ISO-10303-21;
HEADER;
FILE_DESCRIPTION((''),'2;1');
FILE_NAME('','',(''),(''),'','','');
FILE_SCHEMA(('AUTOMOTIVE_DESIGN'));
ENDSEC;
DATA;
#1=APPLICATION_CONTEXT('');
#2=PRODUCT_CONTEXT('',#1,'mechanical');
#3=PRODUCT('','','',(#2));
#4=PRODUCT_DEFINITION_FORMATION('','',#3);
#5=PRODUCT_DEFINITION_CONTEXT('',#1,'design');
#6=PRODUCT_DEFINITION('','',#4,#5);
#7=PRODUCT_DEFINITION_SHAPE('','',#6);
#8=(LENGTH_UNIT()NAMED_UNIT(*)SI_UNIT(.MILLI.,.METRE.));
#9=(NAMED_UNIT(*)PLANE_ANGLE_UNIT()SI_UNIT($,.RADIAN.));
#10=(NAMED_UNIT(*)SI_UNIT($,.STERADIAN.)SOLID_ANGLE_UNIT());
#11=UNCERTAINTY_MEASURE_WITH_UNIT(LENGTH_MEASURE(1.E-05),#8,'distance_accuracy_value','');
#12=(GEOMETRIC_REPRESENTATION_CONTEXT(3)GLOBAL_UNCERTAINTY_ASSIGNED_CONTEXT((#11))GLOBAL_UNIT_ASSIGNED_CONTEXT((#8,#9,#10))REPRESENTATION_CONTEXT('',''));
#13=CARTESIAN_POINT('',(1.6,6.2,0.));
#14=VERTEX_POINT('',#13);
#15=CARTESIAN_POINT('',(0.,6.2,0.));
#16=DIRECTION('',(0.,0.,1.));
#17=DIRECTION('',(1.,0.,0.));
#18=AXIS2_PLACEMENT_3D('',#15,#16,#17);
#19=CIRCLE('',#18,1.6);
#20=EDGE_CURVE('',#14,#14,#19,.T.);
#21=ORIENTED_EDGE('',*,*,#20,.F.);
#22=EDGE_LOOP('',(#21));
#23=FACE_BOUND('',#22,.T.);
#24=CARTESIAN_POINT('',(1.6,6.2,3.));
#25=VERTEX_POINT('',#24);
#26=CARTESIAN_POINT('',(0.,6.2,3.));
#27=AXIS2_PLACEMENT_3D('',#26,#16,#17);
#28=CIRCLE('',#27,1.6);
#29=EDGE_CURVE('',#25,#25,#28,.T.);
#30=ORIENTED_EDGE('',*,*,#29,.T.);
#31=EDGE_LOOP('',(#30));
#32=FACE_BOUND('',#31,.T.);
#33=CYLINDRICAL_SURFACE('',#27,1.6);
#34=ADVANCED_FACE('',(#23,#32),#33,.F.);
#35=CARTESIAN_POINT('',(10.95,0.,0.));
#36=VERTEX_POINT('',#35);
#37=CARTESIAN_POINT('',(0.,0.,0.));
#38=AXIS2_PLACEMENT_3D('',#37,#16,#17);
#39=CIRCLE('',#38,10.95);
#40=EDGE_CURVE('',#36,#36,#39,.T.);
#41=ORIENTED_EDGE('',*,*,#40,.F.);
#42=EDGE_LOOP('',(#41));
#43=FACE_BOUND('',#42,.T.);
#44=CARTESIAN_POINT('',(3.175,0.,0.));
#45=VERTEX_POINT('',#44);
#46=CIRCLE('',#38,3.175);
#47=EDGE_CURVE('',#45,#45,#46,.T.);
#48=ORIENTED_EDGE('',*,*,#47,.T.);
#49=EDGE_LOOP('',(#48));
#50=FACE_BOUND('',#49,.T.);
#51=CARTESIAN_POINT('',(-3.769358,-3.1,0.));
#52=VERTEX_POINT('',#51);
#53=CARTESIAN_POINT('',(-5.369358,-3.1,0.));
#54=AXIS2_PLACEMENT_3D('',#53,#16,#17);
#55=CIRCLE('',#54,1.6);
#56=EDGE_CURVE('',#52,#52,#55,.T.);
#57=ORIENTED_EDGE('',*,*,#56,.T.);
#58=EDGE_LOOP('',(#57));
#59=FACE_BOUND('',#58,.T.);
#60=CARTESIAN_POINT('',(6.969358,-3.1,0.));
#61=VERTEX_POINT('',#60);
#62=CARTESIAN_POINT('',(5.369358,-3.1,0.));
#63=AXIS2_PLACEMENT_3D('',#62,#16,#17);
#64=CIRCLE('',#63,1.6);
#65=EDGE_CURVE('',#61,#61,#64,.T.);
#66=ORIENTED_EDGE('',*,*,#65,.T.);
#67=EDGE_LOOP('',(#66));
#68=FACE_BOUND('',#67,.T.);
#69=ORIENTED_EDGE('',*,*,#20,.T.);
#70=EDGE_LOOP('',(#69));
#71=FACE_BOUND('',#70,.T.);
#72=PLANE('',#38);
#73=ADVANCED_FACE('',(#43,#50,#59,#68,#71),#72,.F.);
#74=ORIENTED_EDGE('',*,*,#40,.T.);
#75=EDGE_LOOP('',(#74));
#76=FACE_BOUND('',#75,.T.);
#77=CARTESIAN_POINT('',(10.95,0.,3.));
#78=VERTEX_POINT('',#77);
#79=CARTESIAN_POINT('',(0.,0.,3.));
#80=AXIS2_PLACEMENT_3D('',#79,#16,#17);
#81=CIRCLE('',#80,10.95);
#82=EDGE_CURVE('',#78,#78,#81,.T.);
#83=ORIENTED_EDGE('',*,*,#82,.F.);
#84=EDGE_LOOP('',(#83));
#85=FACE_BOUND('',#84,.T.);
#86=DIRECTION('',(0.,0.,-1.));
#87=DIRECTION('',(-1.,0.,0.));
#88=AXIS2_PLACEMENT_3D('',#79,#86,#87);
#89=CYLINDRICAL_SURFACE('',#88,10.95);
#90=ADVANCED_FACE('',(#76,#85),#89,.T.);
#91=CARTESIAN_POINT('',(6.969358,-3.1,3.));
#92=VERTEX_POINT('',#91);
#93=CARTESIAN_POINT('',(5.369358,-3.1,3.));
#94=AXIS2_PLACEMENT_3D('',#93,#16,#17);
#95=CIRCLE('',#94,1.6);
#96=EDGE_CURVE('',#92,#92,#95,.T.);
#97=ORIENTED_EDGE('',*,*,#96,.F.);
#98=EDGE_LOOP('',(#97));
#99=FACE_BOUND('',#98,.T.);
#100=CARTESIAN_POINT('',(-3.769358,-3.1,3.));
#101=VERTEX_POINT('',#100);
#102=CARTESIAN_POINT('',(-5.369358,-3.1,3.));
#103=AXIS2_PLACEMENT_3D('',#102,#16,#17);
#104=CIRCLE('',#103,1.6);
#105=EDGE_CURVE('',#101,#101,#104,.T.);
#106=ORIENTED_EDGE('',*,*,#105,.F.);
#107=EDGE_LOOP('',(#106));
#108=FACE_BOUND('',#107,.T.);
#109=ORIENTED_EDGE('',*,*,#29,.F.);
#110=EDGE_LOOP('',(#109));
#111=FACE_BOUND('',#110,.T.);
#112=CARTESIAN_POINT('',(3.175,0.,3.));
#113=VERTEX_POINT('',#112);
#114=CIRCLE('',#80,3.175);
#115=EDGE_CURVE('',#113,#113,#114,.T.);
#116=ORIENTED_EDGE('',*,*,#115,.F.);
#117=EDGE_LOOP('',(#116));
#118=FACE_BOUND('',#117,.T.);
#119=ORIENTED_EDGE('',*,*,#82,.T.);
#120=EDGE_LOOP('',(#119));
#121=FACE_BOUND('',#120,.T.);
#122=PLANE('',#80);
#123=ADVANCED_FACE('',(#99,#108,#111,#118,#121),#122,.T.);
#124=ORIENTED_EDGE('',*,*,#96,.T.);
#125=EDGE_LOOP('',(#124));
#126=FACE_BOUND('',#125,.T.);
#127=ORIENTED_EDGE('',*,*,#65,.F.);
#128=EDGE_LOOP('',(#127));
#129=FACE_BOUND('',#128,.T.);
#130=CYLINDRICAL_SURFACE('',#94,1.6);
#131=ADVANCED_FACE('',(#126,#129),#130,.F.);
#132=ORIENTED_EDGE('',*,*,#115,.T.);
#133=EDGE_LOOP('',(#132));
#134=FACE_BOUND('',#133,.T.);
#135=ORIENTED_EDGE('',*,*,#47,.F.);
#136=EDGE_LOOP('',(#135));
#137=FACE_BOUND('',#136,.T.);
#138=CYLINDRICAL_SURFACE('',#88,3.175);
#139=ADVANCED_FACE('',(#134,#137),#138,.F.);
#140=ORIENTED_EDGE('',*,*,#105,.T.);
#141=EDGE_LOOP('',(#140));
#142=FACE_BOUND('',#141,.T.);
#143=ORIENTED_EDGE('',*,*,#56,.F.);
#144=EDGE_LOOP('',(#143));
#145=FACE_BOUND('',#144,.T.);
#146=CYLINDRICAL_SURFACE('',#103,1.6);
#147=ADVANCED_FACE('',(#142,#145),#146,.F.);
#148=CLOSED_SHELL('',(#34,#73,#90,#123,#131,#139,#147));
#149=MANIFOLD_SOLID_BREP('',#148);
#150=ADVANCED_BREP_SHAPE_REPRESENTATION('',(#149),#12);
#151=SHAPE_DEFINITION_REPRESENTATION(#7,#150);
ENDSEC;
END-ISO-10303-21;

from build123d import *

# Parameters (mm, degrees)
SKETCH1_R            = 10.95
SKETCH1_R_2          = 3.175
BOSS_EXTRUDE1_DEPTH  = 3
M3_CLEARANCE_HOLE1_D = 3.2


with BuildPart() as part:
    # Sketch1 → Boss-Extrude1 (new body)
    with BuildSketch(Plane.XY):
        Circle(SKETCH1_R)
        Circle(SKETCH1_R_2, mode=Mode.SUBTRACT)
    extrude(amount=BOSS_EXTRUDE1_DEPTH)

    # M3 Clearance Hole1 (through all)
    with Locations(Plane.XY.offset(3)):
        with Locations((0, 6.2), (-5.369357503, -3.1), (5.369357503, -3.1)):
            Hole(M3_CLEARANCE_HOLE1_D / 2)


solid = part.part
